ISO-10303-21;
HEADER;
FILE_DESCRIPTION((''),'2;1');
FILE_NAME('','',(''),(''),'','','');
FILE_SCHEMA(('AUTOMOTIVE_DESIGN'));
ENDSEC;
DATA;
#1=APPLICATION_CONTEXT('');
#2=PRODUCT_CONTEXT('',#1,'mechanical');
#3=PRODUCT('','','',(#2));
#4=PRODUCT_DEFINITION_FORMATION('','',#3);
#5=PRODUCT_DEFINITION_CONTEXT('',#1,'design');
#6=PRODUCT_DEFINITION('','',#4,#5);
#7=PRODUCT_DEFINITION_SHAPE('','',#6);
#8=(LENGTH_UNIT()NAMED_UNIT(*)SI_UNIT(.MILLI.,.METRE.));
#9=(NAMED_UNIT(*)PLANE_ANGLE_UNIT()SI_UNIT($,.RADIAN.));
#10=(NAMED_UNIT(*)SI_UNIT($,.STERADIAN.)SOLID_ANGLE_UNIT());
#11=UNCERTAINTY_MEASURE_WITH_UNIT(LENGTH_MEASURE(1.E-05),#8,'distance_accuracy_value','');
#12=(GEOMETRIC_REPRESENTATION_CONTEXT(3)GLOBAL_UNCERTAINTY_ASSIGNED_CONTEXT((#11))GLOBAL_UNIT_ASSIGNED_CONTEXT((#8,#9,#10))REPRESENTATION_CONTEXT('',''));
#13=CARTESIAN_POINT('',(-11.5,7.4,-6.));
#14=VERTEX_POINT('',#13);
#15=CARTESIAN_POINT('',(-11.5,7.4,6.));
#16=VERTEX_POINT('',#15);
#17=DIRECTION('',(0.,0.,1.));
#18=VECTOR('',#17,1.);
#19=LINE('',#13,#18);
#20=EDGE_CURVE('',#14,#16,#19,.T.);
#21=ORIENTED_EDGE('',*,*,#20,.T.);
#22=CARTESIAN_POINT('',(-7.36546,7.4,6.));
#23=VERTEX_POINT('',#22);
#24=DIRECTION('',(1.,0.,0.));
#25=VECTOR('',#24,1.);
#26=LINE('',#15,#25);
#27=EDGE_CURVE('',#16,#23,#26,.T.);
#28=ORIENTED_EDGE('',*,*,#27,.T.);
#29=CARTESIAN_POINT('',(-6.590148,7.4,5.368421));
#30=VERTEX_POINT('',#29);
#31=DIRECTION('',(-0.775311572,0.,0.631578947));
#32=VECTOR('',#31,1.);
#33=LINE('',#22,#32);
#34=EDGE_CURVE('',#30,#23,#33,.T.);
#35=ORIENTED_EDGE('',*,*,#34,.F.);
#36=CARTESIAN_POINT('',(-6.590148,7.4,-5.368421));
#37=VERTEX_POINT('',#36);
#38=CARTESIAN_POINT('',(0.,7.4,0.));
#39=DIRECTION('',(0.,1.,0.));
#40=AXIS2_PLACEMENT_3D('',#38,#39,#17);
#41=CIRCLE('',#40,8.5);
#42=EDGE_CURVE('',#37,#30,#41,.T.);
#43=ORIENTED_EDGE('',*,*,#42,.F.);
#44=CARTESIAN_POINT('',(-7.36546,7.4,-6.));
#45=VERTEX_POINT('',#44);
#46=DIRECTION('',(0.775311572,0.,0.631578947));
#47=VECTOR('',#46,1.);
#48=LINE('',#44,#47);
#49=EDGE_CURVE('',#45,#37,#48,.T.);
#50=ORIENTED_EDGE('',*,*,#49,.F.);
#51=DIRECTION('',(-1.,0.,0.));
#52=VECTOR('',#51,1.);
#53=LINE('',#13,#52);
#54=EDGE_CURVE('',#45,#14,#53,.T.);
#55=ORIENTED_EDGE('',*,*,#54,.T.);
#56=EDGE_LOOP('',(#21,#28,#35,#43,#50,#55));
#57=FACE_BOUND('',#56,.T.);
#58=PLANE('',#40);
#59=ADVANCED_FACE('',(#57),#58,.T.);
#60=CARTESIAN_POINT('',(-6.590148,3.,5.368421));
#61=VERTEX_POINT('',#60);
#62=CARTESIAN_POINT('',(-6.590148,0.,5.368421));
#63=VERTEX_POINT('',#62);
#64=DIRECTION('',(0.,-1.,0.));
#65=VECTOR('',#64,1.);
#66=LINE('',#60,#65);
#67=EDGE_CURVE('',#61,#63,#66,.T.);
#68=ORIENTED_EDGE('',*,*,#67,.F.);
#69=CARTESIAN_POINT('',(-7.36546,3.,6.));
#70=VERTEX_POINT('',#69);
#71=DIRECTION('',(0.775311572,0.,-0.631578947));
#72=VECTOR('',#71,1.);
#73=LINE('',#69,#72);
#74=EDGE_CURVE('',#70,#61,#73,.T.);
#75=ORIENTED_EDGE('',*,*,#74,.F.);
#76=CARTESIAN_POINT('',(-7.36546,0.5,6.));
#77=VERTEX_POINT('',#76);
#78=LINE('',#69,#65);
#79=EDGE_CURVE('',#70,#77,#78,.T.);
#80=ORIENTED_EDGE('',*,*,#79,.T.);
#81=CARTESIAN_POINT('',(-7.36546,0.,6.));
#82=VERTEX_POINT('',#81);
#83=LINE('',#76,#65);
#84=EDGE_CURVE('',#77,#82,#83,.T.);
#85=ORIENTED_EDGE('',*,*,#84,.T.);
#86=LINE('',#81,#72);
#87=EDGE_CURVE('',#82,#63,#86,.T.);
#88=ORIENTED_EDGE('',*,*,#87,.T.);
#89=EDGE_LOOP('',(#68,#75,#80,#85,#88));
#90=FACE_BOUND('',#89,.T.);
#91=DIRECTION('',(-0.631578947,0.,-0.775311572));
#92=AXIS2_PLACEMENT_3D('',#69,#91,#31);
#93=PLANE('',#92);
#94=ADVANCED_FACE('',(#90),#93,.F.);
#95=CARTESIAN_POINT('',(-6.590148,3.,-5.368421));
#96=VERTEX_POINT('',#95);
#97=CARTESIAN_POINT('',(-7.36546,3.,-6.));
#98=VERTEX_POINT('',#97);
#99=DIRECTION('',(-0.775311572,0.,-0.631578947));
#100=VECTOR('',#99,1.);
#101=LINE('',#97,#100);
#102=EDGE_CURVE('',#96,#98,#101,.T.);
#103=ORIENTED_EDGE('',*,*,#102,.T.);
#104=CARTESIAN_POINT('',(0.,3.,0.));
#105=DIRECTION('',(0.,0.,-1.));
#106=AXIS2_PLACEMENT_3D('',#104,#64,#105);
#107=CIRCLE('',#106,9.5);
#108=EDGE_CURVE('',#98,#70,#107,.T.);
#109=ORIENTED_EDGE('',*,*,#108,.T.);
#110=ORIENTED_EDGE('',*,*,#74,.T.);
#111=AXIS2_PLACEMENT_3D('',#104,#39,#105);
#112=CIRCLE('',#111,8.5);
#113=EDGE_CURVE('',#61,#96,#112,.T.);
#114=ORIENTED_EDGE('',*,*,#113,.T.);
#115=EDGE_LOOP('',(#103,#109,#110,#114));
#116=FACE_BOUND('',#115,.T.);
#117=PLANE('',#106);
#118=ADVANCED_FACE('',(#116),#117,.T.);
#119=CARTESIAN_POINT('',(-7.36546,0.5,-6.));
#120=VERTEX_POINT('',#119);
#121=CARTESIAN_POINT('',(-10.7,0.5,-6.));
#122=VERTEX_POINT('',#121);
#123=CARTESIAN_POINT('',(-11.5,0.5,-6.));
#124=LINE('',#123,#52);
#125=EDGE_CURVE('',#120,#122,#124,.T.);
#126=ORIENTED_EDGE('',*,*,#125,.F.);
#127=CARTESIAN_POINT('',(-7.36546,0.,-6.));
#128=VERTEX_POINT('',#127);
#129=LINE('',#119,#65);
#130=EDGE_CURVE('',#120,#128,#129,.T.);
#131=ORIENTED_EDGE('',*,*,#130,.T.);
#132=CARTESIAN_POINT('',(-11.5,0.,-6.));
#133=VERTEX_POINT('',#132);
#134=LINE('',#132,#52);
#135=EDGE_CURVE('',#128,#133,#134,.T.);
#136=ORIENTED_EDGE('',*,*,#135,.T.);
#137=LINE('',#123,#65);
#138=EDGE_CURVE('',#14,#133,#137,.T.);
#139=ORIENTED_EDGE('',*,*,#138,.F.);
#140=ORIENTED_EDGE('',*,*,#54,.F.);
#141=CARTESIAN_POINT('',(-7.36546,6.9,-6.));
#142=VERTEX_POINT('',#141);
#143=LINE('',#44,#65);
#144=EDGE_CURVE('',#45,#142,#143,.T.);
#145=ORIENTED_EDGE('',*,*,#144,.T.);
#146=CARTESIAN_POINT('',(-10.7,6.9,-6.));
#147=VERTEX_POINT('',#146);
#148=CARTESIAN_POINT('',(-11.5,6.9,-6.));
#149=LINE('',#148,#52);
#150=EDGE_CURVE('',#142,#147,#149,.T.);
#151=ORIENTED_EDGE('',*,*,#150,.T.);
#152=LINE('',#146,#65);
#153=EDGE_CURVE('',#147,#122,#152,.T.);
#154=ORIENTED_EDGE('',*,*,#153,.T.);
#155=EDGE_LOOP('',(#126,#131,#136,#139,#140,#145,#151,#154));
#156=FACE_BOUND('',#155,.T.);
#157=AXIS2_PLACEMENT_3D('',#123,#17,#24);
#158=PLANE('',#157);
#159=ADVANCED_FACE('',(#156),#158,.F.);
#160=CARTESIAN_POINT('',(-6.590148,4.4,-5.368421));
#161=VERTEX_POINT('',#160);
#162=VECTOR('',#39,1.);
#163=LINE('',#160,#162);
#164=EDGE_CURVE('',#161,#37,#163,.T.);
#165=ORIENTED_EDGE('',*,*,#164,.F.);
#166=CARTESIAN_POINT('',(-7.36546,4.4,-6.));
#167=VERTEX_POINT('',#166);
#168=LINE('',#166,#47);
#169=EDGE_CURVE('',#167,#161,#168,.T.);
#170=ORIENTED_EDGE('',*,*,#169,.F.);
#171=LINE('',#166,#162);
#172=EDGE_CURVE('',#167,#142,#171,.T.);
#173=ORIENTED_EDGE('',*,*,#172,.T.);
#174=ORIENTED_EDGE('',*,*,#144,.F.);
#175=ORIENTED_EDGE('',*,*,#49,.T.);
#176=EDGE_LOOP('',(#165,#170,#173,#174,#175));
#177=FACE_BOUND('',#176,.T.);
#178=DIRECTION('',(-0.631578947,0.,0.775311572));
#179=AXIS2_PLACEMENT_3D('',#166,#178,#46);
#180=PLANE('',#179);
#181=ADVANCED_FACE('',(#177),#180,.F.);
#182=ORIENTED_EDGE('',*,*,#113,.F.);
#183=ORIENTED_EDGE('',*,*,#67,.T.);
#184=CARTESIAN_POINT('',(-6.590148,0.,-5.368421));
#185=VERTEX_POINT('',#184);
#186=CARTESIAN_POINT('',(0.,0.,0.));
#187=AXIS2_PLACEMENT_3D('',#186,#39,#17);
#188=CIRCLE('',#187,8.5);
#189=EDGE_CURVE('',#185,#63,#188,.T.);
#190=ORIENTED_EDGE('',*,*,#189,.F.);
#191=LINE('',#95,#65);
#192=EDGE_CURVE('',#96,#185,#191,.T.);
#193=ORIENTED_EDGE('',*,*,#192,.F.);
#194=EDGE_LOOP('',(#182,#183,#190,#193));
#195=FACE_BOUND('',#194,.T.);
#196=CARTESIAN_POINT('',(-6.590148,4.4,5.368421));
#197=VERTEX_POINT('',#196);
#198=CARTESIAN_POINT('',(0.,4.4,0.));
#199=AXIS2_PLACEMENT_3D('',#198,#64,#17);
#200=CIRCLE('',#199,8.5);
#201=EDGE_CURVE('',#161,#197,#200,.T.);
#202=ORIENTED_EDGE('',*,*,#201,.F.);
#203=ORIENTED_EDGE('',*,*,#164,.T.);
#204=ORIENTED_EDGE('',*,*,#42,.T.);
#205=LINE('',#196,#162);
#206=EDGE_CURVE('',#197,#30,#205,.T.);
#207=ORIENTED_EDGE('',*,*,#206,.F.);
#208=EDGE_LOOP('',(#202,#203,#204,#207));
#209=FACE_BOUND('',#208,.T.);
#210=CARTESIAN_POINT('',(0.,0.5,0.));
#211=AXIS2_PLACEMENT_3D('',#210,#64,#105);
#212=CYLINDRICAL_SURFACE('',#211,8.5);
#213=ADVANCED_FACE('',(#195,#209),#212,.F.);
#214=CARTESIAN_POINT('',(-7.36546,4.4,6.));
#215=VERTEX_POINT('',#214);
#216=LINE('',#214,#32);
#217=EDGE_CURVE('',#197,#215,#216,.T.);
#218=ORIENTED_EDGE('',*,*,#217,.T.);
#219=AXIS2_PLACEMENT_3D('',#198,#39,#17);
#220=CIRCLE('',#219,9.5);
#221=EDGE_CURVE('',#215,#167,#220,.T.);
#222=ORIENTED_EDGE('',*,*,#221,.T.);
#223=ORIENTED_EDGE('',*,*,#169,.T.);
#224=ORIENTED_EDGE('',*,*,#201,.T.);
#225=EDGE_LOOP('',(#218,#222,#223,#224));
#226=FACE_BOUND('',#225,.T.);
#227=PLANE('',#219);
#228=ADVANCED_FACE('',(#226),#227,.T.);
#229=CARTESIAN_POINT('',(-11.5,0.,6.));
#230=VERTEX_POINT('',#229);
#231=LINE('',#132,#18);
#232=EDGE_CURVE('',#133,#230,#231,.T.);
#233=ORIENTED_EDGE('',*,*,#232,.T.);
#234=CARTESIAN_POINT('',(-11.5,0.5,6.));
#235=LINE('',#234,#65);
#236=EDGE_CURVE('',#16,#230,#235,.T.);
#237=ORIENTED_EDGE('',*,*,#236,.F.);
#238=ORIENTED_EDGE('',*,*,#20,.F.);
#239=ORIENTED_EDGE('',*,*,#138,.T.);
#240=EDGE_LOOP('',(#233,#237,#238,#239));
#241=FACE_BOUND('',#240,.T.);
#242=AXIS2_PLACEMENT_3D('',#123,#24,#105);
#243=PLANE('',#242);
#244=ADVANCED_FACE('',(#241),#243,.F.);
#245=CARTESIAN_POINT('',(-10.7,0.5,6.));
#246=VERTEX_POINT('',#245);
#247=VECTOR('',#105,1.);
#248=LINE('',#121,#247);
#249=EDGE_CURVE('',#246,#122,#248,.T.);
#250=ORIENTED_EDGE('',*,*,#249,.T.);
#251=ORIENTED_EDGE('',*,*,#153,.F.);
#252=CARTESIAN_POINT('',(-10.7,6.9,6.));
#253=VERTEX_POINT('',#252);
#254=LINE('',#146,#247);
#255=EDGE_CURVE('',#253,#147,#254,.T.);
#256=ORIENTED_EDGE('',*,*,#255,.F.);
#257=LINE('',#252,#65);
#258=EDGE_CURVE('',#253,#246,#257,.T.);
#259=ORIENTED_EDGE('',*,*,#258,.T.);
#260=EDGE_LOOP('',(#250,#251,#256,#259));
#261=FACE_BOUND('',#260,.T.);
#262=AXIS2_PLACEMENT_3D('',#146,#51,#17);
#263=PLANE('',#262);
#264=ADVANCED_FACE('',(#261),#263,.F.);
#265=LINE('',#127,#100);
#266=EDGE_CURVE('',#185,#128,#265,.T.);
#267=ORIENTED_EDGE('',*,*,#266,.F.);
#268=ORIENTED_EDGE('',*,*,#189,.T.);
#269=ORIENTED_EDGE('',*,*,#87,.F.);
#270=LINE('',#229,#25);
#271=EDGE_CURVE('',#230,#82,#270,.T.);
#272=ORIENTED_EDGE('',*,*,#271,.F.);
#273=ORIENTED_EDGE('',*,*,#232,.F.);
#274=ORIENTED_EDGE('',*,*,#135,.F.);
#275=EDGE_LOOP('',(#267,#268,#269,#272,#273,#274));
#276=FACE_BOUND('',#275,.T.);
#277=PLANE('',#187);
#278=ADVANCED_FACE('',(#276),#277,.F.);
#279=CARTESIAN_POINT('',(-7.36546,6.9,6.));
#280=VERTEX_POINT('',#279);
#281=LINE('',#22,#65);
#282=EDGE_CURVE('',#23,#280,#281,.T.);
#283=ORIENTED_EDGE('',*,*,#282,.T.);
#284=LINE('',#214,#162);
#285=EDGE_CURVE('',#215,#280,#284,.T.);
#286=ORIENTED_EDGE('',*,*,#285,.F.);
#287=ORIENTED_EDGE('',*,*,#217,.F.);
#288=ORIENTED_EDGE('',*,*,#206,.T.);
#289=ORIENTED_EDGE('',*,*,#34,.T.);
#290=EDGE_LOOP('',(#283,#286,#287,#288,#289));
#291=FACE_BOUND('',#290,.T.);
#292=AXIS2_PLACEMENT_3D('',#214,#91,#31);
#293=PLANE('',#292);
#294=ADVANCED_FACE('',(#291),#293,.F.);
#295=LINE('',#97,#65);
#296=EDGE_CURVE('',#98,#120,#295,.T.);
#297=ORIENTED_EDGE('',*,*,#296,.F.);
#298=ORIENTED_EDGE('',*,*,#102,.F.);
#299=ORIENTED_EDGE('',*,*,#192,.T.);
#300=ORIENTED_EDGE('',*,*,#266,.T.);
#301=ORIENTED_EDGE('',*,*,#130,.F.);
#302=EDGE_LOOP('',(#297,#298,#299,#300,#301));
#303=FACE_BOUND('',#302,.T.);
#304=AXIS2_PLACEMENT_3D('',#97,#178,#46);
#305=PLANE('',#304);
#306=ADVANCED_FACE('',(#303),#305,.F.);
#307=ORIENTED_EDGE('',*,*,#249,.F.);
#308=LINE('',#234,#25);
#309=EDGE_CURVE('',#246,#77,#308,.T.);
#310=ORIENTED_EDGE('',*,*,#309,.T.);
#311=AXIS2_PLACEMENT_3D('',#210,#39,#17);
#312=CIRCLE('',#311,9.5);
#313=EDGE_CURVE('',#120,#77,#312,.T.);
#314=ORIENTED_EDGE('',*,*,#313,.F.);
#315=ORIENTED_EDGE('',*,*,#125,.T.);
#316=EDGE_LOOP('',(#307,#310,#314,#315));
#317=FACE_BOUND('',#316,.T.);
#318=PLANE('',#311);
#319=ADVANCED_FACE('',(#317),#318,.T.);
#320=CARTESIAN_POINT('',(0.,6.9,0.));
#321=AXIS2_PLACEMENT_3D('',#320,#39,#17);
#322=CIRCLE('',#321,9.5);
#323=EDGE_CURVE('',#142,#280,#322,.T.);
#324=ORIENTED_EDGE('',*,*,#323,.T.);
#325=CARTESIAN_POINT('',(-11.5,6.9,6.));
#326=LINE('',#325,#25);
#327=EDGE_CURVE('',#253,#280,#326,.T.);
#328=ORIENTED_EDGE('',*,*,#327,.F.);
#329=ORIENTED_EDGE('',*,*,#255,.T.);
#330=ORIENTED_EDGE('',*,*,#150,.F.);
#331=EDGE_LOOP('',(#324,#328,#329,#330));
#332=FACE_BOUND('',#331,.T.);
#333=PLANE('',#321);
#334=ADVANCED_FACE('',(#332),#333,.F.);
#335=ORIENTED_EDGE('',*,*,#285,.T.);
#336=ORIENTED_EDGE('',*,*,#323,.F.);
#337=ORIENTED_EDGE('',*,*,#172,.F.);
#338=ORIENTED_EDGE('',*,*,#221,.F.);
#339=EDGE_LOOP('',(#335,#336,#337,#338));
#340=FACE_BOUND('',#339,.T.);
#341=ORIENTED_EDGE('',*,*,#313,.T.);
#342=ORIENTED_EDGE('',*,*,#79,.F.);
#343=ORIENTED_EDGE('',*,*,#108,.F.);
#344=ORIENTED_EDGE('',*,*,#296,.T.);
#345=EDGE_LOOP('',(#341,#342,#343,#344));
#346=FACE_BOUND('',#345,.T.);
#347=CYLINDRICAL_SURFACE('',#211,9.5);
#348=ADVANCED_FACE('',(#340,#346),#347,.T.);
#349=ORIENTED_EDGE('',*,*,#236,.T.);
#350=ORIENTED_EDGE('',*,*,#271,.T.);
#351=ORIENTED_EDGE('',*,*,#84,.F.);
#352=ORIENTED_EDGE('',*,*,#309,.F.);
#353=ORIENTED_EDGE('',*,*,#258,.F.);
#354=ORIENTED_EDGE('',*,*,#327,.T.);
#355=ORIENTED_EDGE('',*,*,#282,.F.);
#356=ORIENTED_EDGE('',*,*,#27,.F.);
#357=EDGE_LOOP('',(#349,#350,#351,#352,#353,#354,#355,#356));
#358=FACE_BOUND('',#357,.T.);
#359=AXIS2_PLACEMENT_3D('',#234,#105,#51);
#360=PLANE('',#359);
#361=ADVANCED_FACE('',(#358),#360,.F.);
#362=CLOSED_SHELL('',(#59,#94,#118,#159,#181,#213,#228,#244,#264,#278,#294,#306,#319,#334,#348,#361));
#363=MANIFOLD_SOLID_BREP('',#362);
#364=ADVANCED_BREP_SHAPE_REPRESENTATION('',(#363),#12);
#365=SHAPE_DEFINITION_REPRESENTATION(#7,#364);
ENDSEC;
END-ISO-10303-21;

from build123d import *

# Parameters (mm, degrees)
SKETCH_1_R          = 8.5
EXTRUDE_1_DEPTH     = 0.5
SKETCH_5_R          = 9.5
SKETCH_5_R_2        = 8.5
SKETCH_5_W          = 0.8
SKETCH_5_H          = 12
EXTRUDE_4_DEPTH     = 6.4
SKETCH_6_R          = 8.5
EXTRUDE_5_DEPTH     = 0.5
CUT_EXTRUDE_START   = -3
CUT_EXTRUDE_1_DEPTH = 3
CUT_EXTRUDE_2_DEPTH = 3


with BuildPart() as part:
    # 草图1 → 凸台-拉伸1 (new body)
    with BuildSketch(Plane(origin=(0, 0, 0), x_dir=(1, 0, 0), z_dir=(0, 1, 0))):
        with BuildLine():
            Line((-11.5, 6), (-11.5, -6))
            Line((-11.5, -6), (-7.365459931, -6))
            ThreePointArc((-7.365459931, -6), (9.5, 0), (-7.365459931, 6))
            Line((-7.365459931, 6), (-11.5, 6))
        make_face()
        with Locations(Location((0, 0, 0), (0, 0, 270))):
            Circle(SKETCH_1_R, mode=Mode.SUBTRACT)
    extrude(amount=EXTRUDE_1_DEPTH)

    # 草图5 → 凸台-拉伸4 (add)
    # profile 1 of 2: a face of its own
    with BuildSketch(Plane(origin=(0, 0.5, 0), x_dir=(1, 0, 0), z_dir=(0, 1, 0))):
        with Locations(Location((0, 0, 0), (0, 0, 140.833289284))):
            Circle(SKETCH_5_R)
        with Locations(Location((0, 0, 0), (0, 0, 270))):
            Circle(SKETCH_5_R_2, mode=Mode.SUBTRACT)
    # profile 2 of 2: a face of its own
    with BuildSketch(Plane(origin=(0, 0.5, 0), x_dir=(1, 0, 0), z_dir=(0, 1, 0))):
        with Locations((-11.1, 0)):
            Rectangle(SKETCH_5_W, SKETCH_5_H)
    extrude(amount=EXTRUDE_4_DEPTH)

    # 草图6 → 凸台-拉伸5 (add)
    with BuildSketch(Plane(origin=(0, 6.9, 0), x_dir=(1, 0, 0), z_dir=(0, 1, 0))):
        with BuildLine():
            Line((-11.5, 6), (-11.5, -6))
            Line((-11.5, -6), (-7.365459931, -6))
            ThreePointArc((-7.365459931, -6), (9.5, 0), (-7.365459931, 6))
            Line((-7.365459931, 6), (-11.5, 6))
        make_face()
        with Locations(Location((0, 0, 0), (0, 0, 270))):
            Circle(SKETCH_6_R, mode=Mode.SUBTRACT)
    extrude(amount=EXTRUDE_5_DEPTH)

    # 草图7 → 切除-拉伸1 (cut)
    with BuildSketch(Plane(origin=(0, 7.4, 0), x_dir=(1, 0, 0), z_dir=(0, 1, 0)).offset(CUT_EXTRUDE_START)):
        with BuildLine():
            Line((-7.365459931, 6), (-6.59014836, 5.368421053))
            ThreePointArc((-6.59014836, 5.368421053), (8.5, 0), (-6.59014836, -5.368421053))
            Line((-6.59014836, -5.368421053), (-7.365459931, -6))
            ThreePointArc((-7.365459931, -6), (9.5, 0), (-7.365459931, 6))
        make_face()
    extrude(amount=CUT_EXTRUDE_1_DEPTH, mode=Mode.SUBTRACT)

    # 草图8 → 切除-拉伸2 (cut)
    with BuildSketch(Plane(origin=(0, 0, 0), x_dir=(-1, 0, 0), z_dir=(0, -1, 0))):
        with BuildLine():
            Line((7.365459931, -6), (6.59014836, -5.368421053))
            ThreePointArc((6.59014836, -5.368421053), (-8.5, 0), (6.59014836, 5.368421053))
            Line((6.59014836, 5.368421053), (7.365459931, 6))
            ThreePointArc((7.365459931, 6), (-9.5, 0), (7.365459931, -6))
        make_face()
    extrude(amount=-CUT_EXTRUDE_2_DEPTH, mode=Mode.SUBTRACT)


solid = part.part
